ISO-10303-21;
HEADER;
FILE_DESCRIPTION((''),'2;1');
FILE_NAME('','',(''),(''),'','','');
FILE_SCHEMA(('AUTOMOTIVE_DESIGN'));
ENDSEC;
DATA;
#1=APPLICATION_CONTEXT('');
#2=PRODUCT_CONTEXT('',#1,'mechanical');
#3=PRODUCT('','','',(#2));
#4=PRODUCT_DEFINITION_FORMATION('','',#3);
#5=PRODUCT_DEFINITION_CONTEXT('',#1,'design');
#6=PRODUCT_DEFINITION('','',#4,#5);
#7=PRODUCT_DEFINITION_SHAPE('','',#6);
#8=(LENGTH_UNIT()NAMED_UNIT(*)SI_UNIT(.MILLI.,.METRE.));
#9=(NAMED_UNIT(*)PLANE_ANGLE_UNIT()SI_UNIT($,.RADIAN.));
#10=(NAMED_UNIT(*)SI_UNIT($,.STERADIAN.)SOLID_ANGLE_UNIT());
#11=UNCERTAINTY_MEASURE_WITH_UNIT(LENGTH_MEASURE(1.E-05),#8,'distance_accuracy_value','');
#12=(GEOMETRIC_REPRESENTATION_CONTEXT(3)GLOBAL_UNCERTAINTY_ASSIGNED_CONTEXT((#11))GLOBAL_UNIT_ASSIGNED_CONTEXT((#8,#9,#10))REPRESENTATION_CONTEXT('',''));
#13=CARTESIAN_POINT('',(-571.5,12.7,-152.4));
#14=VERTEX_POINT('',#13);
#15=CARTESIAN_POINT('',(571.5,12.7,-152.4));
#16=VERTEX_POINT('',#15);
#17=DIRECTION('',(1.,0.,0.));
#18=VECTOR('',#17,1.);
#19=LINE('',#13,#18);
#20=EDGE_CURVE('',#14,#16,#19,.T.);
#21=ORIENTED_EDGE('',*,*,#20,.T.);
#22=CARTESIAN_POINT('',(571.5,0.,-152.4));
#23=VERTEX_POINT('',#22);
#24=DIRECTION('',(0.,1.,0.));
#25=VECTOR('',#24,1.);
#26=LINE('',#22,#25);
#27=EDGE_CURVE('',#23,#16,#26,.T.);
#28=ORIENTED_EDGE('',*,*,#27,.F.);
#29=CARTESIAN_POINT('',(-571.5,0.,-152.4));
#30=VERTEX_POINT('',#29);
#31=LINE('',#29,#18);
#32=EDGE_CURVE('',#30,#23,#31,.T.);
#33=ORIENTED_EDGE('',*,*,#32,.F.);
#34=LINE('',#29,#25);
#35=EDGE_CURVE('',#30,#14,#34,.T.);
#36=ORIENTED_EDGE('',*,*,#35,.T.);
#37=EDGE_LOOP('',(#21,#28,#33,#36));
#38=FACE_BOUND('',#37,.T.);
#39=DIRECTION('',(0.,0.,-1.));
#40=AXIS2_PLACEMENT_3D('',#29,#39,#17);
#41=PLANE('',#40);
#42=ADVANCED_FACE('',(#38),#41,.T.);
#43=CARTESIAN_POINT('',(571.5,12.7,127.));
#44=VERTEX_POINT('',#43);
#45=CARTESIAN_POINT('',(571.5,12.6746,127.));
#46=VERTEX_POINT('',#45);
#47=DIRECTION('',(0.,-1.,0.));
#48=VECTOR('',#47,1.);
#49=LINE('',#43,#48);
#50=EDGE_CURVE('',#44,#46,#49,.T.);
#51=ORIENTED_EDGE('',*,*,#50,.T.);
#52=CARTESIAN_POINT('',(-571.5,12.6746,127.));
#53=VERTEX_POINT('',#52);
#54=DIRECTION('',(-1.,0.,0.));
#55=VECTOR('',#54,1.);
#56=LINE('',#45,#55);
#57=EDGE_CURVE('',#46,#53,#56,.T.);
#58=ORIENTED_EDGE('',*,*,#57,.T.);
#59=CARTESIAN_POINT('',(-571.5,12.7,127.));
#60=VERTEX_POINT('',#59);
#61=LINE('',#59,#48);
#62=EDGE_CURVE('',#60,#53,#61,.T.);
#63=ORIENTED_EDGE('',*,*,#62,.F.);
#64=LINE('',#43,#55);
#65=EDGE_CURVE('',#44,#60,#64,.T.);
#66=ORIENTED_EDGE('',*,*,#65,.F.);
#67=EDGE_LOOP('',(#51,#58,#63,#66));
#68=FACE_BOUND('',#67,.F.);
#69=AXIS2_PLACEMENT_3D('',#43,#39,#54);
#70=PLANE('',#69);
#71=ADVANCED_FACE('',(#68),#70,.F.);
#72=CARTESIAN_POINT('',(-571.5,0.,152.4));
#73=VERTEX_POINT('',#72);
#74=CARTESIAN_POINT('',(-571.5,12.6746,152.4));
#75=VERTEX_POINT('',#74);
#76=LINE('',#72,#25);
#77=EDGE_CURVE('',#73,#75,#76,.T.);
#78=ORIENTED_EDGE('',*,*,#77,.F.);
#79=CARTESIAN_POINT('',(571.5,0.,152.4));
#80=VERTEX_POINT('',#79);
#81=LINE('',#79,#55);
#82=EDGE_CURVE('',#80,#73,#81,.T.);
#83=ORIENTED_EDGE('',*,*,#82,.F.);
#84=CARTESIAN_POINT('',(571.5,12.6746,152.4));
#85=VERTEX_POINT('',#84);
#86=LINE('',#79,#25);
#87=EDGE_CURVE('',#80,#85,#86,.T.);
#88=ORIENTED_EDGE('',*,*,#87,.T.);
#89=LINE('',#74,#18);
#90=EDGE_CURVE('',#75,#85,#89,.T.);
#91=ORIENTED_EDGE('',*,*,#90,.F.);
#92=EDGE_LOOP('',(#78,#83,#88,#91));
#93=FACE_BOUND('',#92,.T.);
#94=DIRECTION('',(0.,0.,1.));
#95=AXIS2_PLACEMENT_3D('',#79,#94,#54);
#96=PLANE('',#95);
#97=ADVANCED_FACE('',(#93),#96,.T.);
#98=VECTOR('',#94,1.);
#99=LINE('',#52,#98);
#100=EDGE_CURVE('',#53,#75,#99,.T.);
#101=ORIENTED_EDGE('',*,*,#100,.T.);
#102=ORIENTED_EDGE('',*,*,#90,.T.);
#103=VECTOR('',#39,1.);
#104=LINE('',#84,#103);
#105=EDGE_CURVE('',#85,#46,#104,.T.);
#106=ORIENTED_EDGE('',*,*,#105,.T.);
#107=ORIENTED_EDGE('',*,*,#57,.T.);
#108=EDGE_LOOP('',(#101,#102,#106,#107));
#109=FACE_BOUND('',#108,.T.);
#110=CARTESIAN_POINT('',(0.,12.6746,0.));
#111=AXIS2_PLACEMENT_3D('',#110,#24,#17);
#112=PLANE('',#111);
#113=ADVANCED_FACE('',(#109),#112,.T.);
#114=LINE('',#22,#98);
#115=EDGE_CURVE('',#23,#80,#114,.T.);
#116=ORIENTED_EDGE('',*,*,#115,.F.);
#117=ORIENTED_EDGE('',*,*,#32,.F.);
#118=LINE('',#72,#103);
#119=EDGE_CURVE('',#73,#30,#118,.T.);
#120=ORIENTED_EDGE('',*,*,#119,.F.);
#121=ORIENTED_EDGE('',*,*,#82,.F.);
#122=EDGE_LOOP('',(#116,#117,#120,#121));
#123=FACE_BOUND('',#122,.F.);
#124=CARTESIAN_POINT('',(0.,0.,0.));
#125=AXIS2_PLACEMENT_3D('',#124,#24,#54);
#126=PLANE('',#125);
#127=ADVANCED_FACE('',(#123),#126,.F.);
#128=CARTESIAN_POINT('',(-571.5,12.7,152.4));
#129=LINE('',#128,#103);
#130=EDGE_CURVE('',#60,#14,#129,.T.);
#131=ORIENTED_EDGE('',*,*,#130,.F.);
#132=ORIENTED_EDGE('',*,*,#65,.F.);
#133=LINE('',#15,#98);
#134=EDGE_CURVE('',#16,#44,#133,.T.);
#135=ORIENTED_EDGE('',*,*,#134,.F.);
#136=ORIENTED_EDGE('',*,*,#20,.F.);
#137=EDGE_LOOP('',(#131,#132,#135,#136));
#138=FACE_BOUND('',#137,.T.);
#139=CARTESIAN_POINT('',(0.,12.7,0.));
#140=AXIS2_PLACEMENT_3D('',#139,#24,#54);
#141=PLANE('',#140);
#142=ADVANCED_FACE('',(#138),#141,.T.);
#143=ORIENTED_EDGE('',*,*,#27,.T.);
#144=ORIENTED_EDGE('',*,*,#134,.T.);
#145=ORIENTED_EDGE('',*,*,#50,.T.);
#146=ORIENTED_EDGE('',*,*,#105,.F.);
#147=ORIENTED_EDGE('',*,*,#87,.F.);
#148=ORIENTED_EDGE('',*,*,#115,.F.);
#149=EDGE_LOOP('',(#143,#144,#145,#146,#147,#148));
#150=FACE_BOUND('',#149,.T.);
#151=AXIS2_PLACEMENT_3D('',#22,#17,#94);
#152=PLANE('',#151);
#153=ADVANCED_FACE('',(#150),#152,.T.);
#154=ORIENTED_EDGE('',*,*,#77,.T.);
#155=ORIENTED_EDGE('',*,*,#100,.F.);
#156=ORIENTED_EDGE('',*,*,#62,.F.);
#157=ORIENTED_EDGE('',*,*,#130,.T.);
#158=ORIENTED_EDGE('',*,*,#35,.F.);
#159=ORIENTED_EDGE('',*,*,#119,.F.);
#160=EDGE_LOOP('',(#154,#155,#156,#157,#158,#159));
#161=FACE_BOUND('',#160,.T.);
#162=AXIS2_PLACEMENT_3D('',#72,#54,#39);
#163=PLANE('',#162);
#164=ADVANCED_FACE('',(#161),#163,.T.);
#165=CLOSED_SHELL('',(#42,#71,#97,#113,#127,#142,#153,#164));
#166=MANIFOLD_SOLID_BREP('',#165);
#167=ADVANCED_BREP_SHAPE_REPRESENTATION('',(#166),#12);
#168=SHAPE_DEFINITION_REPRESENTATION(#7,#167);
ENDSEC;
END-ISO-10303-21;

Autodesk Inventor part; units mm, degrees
ref_plane "YZ Plane" through (0, 0, 0) normal (1, 0, 0) x (0, 1, 0)
ref_plane "XZ Plane" through (0, 0, 0) normal (0, 1, 0) x (-1, 0, 0)
ref_plane "XY Plane" through (0, 0, 0) normal (0, 0, 1) x (1, 0, 0)
sketch "Sketch1" plane through (0, 0, 0) normal (0, 1, 0) x (-1, 0, 0)
  line L0 (-571.5, 152.4) -> (571.5, 152.4)
  line L1 (571.5, 152.4) -> (571.5, -152.4)
  line L2 (571.5, -152.4) -> (-571.5, -152.4)
  line L3 (-571.5, -152.4) -> (-571.5, 152.4)
  line L4 (-571.5, 152.4) -> (571.5, -152.4) construction
  line L5 (571.5, 152.4) -> (-571.5, -152.4) construction
  point P0 (0, 0)
  dimension "d0" = 1143
  dimension "d1" = 304.8
extrude "Extrusion1" add sketch "Sketch1" along normal blind 12.7
sketch "Sketch2" plane through (0, 12.7, 0) normal (0, 1, 0) x (1, 0, 0)
  line L0 (-571.5, -152.4) -> (571.5, -152.4) projected
  line L1 (571.5, -152.4) -> (571.5, 152.4) projected
  line L2 (-571.5, -152.4) -> (571.5, -152.4)
  line L3 (571.5, -152.4) -> (571.5, -127)
  line L4 (571.5, -127) -> (-571.5, -127)
  line L5 (-571.5, -127) -> (-571.5, -152.4)
  point P0 (0, 0)
  dimension "d4" = 25.4
extrude "Extrusion2" cut sketch "Sketch2" against normal blind 0.0254
properties part number "floorTopLayer" material "Wood (Birch)"
